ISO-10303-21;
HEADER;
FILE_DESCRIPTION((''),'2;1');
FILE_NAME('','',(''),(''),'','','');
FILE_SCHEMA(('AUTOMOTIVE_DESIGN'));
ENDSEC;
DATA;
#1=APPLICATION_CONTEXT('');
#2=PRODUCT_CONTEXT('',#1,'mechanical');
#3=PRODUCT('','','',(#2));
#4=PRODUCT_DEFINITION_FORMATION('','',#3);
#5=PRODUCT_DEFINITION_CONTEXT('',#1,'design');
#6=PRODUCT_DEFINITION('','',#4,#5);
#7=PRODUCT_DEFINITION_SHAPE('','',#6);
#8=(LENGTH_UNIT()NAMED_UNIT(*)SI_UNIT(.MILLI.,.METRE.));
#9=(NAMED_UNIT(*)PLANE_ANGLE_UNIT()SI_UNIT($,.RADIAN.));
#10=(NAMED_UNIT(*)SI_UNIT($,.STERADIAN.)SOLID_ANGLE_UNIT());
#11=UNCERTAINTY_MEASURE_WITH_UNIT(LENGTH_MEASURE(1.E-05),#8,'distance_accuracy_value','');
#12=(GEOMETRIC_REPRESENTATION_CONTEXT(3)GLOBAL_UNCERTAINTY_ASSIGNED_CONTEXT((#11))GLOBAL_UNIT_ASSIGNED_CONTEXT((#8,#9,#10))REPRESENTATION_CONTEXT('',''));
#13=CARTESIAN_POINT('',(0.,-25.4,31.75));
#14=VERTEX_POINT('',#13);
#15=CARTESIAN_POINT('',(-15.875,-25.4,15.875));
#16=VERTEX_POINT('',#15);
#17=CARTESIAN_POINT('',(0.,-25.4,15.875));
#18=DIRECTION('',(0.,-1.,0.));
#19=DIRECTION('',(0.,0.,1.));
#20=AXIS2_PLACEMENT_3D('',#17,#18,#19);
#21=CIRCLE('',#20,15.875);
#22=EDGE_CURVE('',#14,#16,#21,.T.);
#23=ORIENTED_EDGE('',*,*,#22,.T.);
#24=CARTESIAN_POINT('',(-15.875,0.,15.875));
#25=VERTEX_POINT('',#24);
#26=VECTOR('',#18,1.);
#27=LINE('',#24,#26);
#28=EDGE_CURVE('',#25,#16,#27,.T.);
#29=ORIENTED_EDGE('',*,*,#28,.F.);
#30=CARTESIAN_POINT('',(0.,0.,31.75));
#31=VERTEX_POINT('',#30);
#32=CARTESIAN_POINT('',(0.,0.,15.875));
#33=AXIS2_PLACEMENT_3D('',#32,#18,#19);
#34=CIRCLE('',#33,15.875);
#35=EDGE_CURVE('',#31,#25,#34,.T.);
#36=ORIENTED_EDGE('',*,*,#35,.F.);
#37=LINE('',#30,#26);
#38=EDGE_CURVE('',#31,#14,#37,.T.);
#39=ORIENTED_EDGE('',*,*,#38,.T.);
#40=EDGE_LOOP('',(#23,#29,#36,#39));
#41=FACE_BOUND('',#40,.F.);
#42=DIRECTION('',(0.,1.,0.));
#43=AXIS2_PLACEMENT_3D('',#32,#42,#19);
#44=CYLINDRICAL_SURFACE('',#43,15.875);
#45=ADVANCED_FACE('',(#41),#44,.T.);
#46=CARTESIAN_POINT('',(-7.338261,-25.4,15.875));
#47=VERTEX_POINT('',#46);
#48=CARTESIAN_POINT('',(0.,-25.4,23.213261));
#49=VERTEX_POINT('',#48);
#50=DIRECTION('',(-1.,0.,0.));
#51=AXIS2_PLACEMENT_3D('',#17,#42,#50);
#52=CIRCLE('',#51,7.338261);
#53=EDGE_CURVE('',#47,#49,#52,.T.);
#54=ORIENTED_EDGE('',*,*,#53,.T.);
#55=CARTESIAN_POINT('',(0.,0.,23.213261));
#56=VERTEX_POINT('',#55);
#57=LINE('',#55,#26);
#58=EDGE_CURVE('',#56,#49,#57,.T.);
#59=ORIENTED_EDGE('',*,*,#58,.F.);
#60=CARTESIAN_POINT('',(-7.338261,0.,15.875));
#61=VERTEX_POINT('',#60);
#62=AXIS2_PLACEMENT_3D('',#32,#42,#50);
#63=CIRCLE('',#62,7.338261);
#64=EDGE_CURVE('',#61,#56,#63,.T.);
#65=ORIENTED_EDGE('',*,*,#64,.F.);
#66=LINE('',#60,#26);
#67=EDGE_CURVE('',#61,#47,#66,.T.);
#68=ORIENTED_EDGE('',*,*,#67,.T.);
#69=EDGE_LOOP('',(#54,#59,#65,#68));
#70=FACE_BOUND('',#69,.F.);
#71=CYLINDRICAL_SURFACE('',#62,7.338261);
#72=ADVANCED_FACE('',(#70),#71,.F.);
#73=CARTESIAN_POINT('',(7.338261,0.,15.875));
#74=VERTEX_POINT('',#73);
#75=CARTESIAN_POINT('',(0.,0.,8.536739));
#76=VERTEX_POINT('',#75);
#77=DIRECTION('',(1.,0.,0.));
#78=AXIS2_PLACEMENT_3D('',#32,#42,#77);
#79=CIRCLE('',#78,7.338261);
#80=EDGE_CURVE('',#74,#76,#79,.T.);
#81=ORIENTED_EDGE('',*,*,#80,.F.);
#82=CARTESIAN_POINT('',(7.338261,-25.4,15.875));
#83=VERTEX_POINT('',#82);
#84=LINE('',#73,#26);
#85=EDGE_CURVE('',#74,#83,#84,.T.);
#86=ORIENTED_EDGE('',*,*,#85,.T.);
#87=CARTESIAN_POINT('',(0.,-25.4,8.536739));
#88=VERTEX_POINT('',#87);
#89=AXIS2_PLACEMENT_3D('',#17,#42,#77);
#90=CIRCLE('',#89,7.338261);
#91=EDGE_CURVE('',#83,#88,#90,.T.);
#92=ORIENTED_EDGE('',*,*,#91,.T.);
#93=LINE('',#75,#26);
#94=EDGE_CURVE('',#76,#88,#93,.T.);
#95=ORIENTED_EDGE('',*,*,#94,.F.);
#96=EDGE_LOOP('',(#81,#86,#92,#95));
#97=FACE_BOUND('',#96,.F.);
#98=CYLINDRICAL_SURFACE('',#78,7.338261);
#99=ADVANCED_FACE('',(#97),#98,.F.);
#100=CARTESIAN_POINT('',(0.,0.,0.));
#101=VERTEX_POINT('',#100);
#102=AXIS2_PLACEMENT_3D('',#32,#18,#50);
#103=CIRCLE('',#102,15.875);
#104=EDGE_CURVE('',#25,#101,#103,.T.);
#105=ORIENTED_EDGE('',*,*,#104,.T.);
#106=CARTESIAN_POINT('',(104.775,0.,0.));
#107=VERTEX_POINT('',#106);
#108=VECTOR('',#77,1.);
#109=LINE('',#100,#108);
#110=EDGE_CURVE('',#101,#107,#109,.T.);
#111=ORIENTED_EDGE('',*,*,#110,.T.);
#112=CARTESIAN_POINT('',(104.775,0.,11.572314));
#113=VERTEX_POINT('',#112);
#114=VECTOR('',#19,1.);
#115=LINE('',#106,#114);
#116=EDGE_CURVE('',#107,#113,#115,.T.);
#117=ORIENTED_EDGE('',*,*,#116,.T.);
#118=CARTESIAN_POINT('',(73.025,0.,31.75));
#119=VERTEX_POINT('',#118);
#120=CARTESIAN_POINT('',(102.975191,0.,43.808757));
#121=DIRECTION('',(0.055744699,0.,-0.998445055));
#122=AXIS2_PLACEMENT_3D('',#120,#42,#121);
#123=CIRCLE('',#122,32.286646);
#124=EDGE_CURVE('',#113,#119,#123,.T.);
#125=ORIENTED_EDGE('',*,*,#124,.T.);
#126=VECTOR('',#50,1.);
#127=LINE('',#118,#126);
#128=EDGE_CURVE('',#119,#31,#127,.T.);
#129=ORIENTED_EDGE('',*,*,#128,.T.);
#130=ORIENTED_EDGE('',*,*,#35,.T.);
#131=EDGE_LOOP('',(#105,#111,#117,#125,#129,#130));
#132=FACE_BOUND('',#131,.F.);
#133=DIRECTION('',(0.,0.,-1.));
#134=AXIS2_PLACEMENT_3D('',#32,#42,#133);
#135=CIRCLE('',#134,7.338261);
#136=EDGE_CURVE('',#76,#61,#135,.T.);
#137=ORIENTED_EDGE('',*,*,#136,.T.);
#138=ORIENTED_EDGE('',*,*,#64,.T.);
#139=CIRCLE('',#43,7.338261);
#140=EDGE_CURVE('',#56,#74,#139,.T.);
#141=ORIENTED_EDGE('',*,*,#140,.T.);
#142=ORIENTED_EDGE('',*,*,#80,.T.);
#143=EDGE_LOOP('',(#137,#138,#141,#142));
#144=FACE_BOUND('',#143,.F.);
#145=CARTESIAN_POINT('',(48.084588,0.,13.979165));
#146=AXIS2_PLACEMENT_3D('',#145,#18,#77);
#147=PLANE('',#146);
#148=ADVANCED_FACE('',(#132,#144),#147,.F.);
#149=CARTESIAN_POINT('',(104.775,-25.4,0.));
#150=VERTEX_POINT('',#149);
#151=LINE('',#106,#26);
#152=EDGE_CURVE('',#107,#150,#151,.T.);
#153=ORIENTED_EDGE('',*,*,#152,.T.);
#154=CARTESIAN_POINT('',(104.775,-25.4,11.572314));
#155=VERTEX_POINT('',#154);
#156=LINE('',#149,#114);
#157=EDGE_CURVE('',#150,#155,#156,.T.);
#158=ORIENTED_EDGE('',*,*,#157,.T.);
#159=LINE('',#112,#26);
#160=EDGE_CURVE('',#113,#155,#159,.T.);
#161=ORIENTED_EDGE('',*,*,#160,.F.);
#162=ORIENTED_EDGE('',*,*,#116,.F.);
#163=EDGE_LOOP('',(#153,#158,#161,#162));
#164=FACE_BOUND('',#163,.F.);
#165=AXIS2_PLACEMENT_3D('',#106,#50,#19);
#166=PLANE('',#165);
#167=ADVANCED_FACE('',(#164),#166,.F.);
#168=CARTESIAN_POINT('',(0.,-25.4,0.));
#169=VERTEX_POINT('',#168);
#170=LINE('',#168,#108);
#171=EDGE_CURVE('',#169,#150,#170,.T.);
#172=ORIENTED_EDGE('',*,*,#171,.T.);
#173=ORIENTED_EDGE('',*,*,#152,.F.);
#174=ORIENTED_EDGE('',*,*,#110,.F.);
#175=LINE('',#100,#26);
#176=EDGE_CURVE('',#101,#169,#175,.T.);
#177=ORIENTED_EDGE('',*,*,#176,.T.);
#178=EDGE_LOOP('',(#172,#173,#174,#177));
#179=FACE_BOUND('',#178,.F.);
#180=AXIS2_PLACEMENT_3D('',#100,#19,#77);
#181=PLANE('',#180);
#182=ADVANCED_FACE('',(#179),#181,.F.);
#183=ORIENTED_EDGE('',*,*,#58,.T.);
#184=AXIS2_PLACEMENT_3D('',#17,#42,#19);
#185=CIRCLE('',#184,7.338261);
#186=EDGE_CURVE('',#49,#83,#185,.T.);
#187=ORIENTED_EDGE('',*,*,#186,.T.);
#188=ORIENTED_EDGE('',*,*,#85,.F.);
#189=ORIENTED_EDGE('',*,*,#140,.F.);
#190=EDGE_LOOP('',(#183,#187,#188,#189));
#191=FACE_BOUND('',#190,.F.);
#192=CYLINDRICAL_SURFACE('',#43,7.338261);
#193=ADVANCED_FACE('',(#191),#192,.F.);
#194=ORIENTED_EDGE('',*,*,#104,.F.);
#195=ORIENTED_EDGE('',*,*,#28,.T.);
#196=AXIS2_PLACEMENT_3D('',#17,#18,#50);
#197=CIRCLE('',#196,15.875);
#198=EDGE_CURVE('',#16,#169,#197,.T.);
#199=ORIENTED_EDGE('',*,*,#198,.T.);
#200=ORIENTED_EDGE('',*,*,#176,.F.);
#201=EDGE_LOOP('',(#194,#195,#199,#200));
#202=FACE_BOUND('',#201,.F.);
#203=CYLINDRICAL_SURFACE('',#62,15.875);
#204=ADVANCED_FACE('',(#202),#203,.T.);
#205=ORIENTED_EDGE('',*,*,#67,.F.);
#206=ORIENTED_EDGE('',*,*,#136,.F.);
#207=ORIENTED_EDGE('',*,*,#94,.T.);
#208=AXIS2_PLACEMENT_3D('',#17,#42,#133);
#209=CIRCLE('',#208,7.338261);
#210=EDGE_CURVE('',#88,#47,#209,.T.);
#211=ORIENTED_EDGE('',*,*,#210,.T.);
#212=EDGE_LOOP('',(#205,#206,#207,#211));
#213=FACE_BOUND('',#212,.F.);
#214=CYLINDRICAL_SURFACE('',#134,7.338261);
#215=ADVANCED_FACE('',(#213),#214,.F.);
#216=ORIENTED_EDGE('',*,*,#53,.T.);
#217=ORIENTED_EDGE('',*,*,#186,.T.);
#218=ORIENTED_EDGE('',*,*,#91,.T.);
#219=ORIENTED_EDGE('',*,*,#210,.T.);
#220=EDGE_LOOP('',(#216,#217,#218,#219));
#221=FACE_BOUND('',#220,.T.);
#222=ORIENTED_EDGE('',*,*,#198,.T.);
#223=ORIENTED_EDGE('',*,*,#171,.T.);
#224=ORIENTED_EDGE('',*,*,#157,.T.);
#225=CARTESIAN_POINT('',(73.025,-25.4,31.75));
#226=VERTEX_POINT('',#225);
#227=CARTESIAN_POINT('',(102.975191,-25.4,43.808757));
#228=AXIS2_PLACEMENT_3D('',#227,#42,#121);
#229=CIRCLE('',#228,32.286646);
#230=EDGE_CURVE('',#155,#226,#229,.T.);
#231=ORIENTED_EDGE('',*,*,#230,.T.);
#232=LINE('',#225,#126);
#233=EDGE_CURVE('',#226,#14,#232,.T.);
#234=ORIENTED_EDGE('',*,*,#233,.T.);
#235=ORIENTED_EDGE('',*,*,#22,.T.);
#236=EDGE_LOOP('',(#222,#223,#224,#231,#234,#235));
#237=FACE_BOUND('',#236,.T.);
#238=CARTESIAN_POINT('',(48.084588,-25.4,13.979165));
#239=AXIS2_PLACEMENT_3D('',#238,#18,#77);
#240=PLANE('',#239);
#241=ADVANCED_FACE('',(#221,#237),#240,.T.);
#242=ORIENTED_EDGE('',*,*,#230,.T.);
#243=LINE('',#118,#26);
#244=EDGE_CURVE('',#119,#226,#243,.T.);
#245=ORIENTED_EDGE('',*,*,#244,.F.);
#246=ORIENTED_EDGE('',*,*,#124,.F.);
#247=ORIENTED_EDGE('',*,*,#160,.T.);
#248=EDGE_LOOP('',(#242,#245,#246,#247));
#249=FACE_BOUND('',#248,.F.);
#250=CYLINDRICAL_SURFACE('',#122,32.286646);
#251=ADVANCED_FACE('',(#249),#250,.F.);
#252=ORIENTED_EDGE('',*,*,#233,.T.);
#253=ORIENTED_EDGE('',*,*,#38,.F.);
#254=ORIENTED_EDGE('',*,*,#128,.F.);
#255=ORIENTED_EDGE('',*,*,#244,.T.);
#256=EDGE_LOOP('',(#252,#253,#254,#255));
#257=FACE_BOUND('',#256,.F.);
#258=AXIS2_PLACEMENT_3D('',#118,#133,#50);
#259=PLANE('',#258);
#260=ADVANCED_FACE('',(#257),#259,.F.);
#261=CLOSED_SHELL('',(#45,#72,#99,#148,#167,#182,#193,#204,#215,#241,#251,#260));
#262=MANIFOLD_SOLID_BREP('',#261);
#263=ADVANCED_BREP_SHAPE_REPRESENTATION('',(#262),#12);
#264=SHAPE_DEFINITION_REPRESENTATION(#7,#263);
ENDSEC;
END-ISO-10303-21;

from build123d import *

# Parameters (mm, degrees)
F1_DEPTH = 25.4


with BuildPart() as f1:
    # F0 (on Front) → F1 (new body)
    with BuildSketch(Plane.XZ):
        with BuildLine():
            Line((0, 8.5367389983), (0, 0))
            Line((0, 0), (104.775, 0))
            Line((104.775, 0), (104.775, 11.5723142873))
            ThreePointArc((104.775, 11.5723142873), (85.6576925005, 16.5593201652), (73.025, 31.75))
            Line((73.025, 31.75), (0, 31.75))
            Line((0, 31.75), (0, 23.2132610017))
            ThreePointArc((0, 23.2132610017), (5.1889341164, 21.0639341164), (7.3382610017, 15.875))
            ThreePointArc((7.3382610017, 15.875), (5.1889341164, 10.6860658836), (0, 8.5367389983))
        make_face()
        with BuildLine():
            ThreePointArc((0, 31.75), (-11.2253201513, 27.1003201513), (-15.875, 15.875))
            Line((-15.875, 15.875), (-7.3382610017, 15.875))
            ThreePointArc((-7.3382610017, 15.875), (-5.1889341164, 21.0639341164), (0, 23.2132610017))
            Line((0, 23.2132610017), (0, 31.75))
        make_face()
        with BuildLine():
            ThreePointArc((-15.875, 15.875), (-11.2253201513, 4.6496798487), (0, 0))
            Line((0, 0), (0, 8.5367389983))
            ThreePointArc((0, 8.5367389983), (-5.1889341164, 10.6860658836), (-7.3382610017, 15.875))
            Line((-7.3382610017, 15.875), (-15.875, 15.875))
        make_face()
    extrude(amount=F1_DEPTH)


solid = f1.part
